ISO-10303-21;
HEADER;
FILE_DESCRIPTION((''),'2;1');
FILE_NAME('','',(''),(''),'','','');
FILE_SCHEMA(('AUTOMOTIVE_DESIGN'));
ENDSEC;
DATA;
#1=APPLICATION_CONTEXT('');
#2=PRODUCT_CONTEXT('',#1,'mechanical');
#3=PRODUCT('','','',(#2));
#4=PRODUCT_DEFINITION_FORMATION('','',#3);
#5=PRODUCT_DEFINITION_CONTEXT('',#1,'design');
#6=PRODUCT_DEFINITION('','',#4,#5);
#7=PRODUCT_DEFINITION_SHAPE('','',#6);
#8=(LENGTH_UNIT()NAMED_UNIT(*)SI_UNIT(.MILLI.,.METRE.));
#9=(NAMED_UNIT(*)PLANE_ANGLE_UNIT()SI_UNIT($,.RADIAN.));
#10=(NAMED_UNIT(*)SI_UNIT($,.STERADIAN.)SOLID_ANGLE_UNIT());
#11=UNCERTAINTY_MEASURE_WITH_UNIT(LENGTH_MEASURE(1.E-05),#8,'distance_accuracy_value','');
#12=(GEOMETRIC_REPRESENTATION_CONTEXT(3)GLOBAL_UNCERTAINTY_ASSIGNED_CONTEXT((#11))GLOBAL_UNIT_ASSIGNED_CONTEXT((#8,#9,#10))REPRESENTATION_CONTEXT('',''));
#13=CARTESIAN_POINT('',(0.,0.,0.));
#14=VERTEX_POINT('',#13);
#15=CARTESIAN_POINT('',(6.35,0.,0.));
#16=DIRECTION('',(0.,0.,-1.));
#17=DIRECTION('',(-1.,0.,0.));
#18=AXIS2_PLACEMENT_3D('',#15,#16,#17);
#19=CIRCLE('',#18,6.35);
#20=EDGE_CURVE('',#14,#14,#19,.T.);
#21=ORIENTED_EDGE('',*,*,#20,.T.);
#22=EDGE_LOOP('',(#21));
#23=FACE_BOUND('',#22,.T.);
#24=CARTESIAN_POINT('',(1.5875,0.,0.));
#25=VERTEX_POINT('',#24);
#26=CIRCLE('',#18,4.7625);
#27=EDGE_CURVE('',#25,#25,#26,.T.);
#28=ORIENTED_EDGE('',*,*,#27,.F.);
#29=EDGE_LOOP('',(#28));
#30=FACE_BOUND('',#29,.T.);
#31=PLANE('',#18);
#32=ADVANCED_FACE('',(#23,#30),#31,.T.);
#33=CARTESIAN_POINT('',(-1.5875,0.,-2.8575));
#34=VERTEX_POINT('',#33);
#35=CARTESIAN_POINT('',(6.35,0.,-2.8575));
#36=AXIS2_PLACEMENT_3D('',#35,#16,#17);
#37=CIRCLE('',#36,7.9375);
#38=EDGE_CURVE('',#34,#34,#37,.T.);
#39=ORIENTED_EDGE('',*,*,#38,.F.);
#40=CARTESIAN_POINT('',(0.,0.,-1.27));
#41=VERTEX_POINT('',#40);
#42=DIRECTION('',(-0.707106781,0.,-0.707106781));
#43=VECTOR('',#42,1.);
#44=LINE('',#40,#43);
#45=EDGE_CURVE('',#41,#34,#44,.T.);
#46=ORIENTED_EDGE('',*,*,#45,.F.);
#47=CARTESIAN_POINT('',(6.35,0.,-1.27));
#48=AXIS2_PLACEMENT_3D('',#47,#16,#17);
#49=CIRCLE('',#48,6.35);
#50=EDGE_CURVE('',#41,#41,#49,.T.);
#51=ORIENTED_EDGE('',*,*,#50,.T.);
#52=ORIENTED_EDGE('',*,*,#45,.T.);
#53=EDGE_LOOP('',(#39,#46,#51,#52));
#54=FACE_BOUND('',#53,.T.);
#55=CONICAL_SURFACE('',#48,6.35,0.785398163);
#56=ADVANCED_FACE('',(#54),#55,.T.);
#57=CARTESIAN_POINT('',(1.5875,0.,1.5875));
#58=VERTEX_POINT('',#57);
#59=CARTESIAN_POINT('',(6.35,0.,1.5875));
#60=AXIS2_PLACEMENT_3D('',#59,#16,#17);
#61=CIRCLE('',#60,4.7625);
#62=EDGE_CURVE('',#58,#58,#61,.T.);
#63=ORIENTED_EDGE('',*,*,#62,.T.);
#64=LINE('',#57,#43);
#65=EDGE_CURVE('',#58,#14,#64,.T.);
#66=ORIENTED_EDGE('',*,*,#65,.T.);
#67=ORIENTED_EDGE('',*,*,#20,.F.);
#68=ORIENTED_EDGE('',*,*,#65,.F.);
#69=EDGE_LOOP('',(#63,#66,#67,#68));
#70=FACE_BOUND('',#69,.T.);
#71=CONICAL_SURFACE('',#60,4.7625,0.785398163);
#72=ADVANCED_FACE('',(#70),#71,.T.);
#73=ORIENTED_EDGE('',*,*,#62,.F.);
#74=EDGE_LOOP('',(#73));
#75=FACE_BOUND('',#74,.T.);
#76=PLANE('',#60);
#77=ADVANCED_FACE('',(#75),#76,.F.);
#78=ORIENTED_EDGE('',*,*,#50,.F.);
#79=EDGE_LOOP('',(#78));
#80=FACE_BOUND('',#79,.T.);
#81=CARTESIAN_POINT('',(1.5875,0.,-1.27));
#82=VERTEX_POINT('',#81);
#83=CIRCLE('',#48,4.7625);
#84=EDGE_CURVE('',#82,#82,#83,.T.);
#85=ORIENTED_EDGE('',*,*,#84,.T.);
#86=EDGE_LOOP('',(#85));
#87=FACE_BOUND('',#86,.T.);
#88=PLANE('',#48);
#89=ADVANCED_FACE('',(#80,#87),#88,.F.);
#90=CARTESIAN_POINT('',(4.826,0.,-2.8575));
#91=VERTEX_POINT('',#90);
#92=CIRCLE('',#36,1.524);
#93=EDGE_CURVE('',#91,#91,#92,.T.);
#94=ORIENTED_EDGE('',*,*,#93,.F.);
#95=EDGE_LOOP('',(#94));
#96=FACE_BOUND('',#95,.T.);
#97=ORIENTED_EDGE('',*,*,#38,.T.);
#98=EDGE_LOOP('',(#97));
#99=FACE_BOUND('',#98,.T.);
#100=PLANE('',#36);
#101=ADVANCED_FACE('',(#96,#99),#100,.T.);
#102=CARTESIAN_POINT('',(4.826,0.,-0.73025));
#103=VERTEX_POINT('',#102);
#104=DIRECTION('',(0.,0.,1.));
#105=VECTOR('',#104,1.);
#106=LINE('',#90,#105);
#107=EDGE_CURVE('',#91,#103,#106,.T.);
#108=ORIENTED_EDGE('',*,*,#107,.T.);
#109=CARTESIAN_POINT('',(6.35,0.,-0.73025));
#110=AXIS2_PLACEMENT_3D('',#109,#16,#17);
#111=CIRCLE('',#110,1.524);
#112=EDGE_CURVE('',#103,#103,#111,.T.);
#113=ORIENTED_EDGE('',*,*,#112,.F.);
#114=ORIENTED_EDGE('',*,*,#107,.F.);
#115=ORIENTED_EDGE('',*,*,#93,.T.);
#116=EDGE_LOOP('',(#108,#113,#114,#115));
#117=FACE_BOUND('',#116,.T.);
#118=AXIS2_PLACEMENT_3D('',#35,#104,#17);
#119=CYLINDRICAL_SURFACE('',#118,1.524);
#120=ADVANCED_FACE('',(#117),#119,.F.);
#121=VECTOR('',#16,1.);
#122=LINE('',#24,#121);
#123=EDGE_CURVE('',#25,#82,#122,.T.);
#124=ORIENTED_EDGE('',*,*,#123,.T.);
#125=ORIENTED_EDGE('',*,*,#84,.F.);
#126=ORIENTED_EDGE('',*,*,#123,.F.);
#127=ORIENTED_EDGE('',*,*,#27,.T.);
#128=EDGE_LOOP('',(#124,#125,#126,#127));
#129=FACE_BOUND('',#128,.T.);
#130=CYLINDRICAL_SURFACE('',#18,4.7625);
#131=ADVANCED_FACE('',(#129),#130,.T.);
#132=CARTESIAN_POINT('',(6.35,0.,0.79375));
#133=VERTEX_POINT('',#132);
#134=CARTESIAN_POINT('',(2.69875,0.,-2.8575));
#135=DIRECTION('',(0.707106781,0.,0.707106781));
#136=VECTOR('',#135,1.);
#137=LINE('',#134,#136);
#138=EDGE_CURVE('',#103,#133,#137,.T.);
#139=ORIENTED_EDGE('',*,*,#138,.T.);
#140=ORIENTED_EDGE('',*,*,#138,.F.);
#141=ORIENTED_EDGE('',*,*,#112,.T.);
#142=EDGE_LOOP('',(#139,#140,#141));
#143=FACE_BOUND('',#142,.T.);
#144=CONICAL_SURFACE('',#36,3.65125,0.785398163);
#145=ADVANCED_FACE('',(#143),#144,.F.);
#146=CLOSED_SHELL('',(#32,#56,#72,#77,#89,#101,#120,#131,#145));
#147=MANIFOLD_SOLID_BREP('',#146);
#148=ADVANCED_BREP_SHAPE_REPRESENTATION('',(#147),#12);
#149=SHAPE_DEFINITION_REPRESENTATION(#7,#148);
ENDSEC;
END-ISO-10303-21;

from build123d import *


with BuildPart() as f1:
    # F0 (on Front) → F1 (revolve)
    with BuildSketch(Plane.XZ):
        Polygon((1.5875, 1.5875), (0, 0), (1.5875, 0), (1.5875, -1.27), (0, -1.27), (0, -2.8575), (2.69875, -2.8575), (4.826, -0.73025), (6.35, 0.79375), (6.35, 1.5875), align=None)
        Polygon((0, -2.8575), (0, -1.27), (-1.5875, -2.8575), align=None)
        Polygon((4.826, -2.8575), (4.826, -0.73025), (2.69875, -2.8575), align=None)
    revolve(axis=Axis((6.35, 0, 1.190625), (0, 0, -1)))


solid = f1.part
